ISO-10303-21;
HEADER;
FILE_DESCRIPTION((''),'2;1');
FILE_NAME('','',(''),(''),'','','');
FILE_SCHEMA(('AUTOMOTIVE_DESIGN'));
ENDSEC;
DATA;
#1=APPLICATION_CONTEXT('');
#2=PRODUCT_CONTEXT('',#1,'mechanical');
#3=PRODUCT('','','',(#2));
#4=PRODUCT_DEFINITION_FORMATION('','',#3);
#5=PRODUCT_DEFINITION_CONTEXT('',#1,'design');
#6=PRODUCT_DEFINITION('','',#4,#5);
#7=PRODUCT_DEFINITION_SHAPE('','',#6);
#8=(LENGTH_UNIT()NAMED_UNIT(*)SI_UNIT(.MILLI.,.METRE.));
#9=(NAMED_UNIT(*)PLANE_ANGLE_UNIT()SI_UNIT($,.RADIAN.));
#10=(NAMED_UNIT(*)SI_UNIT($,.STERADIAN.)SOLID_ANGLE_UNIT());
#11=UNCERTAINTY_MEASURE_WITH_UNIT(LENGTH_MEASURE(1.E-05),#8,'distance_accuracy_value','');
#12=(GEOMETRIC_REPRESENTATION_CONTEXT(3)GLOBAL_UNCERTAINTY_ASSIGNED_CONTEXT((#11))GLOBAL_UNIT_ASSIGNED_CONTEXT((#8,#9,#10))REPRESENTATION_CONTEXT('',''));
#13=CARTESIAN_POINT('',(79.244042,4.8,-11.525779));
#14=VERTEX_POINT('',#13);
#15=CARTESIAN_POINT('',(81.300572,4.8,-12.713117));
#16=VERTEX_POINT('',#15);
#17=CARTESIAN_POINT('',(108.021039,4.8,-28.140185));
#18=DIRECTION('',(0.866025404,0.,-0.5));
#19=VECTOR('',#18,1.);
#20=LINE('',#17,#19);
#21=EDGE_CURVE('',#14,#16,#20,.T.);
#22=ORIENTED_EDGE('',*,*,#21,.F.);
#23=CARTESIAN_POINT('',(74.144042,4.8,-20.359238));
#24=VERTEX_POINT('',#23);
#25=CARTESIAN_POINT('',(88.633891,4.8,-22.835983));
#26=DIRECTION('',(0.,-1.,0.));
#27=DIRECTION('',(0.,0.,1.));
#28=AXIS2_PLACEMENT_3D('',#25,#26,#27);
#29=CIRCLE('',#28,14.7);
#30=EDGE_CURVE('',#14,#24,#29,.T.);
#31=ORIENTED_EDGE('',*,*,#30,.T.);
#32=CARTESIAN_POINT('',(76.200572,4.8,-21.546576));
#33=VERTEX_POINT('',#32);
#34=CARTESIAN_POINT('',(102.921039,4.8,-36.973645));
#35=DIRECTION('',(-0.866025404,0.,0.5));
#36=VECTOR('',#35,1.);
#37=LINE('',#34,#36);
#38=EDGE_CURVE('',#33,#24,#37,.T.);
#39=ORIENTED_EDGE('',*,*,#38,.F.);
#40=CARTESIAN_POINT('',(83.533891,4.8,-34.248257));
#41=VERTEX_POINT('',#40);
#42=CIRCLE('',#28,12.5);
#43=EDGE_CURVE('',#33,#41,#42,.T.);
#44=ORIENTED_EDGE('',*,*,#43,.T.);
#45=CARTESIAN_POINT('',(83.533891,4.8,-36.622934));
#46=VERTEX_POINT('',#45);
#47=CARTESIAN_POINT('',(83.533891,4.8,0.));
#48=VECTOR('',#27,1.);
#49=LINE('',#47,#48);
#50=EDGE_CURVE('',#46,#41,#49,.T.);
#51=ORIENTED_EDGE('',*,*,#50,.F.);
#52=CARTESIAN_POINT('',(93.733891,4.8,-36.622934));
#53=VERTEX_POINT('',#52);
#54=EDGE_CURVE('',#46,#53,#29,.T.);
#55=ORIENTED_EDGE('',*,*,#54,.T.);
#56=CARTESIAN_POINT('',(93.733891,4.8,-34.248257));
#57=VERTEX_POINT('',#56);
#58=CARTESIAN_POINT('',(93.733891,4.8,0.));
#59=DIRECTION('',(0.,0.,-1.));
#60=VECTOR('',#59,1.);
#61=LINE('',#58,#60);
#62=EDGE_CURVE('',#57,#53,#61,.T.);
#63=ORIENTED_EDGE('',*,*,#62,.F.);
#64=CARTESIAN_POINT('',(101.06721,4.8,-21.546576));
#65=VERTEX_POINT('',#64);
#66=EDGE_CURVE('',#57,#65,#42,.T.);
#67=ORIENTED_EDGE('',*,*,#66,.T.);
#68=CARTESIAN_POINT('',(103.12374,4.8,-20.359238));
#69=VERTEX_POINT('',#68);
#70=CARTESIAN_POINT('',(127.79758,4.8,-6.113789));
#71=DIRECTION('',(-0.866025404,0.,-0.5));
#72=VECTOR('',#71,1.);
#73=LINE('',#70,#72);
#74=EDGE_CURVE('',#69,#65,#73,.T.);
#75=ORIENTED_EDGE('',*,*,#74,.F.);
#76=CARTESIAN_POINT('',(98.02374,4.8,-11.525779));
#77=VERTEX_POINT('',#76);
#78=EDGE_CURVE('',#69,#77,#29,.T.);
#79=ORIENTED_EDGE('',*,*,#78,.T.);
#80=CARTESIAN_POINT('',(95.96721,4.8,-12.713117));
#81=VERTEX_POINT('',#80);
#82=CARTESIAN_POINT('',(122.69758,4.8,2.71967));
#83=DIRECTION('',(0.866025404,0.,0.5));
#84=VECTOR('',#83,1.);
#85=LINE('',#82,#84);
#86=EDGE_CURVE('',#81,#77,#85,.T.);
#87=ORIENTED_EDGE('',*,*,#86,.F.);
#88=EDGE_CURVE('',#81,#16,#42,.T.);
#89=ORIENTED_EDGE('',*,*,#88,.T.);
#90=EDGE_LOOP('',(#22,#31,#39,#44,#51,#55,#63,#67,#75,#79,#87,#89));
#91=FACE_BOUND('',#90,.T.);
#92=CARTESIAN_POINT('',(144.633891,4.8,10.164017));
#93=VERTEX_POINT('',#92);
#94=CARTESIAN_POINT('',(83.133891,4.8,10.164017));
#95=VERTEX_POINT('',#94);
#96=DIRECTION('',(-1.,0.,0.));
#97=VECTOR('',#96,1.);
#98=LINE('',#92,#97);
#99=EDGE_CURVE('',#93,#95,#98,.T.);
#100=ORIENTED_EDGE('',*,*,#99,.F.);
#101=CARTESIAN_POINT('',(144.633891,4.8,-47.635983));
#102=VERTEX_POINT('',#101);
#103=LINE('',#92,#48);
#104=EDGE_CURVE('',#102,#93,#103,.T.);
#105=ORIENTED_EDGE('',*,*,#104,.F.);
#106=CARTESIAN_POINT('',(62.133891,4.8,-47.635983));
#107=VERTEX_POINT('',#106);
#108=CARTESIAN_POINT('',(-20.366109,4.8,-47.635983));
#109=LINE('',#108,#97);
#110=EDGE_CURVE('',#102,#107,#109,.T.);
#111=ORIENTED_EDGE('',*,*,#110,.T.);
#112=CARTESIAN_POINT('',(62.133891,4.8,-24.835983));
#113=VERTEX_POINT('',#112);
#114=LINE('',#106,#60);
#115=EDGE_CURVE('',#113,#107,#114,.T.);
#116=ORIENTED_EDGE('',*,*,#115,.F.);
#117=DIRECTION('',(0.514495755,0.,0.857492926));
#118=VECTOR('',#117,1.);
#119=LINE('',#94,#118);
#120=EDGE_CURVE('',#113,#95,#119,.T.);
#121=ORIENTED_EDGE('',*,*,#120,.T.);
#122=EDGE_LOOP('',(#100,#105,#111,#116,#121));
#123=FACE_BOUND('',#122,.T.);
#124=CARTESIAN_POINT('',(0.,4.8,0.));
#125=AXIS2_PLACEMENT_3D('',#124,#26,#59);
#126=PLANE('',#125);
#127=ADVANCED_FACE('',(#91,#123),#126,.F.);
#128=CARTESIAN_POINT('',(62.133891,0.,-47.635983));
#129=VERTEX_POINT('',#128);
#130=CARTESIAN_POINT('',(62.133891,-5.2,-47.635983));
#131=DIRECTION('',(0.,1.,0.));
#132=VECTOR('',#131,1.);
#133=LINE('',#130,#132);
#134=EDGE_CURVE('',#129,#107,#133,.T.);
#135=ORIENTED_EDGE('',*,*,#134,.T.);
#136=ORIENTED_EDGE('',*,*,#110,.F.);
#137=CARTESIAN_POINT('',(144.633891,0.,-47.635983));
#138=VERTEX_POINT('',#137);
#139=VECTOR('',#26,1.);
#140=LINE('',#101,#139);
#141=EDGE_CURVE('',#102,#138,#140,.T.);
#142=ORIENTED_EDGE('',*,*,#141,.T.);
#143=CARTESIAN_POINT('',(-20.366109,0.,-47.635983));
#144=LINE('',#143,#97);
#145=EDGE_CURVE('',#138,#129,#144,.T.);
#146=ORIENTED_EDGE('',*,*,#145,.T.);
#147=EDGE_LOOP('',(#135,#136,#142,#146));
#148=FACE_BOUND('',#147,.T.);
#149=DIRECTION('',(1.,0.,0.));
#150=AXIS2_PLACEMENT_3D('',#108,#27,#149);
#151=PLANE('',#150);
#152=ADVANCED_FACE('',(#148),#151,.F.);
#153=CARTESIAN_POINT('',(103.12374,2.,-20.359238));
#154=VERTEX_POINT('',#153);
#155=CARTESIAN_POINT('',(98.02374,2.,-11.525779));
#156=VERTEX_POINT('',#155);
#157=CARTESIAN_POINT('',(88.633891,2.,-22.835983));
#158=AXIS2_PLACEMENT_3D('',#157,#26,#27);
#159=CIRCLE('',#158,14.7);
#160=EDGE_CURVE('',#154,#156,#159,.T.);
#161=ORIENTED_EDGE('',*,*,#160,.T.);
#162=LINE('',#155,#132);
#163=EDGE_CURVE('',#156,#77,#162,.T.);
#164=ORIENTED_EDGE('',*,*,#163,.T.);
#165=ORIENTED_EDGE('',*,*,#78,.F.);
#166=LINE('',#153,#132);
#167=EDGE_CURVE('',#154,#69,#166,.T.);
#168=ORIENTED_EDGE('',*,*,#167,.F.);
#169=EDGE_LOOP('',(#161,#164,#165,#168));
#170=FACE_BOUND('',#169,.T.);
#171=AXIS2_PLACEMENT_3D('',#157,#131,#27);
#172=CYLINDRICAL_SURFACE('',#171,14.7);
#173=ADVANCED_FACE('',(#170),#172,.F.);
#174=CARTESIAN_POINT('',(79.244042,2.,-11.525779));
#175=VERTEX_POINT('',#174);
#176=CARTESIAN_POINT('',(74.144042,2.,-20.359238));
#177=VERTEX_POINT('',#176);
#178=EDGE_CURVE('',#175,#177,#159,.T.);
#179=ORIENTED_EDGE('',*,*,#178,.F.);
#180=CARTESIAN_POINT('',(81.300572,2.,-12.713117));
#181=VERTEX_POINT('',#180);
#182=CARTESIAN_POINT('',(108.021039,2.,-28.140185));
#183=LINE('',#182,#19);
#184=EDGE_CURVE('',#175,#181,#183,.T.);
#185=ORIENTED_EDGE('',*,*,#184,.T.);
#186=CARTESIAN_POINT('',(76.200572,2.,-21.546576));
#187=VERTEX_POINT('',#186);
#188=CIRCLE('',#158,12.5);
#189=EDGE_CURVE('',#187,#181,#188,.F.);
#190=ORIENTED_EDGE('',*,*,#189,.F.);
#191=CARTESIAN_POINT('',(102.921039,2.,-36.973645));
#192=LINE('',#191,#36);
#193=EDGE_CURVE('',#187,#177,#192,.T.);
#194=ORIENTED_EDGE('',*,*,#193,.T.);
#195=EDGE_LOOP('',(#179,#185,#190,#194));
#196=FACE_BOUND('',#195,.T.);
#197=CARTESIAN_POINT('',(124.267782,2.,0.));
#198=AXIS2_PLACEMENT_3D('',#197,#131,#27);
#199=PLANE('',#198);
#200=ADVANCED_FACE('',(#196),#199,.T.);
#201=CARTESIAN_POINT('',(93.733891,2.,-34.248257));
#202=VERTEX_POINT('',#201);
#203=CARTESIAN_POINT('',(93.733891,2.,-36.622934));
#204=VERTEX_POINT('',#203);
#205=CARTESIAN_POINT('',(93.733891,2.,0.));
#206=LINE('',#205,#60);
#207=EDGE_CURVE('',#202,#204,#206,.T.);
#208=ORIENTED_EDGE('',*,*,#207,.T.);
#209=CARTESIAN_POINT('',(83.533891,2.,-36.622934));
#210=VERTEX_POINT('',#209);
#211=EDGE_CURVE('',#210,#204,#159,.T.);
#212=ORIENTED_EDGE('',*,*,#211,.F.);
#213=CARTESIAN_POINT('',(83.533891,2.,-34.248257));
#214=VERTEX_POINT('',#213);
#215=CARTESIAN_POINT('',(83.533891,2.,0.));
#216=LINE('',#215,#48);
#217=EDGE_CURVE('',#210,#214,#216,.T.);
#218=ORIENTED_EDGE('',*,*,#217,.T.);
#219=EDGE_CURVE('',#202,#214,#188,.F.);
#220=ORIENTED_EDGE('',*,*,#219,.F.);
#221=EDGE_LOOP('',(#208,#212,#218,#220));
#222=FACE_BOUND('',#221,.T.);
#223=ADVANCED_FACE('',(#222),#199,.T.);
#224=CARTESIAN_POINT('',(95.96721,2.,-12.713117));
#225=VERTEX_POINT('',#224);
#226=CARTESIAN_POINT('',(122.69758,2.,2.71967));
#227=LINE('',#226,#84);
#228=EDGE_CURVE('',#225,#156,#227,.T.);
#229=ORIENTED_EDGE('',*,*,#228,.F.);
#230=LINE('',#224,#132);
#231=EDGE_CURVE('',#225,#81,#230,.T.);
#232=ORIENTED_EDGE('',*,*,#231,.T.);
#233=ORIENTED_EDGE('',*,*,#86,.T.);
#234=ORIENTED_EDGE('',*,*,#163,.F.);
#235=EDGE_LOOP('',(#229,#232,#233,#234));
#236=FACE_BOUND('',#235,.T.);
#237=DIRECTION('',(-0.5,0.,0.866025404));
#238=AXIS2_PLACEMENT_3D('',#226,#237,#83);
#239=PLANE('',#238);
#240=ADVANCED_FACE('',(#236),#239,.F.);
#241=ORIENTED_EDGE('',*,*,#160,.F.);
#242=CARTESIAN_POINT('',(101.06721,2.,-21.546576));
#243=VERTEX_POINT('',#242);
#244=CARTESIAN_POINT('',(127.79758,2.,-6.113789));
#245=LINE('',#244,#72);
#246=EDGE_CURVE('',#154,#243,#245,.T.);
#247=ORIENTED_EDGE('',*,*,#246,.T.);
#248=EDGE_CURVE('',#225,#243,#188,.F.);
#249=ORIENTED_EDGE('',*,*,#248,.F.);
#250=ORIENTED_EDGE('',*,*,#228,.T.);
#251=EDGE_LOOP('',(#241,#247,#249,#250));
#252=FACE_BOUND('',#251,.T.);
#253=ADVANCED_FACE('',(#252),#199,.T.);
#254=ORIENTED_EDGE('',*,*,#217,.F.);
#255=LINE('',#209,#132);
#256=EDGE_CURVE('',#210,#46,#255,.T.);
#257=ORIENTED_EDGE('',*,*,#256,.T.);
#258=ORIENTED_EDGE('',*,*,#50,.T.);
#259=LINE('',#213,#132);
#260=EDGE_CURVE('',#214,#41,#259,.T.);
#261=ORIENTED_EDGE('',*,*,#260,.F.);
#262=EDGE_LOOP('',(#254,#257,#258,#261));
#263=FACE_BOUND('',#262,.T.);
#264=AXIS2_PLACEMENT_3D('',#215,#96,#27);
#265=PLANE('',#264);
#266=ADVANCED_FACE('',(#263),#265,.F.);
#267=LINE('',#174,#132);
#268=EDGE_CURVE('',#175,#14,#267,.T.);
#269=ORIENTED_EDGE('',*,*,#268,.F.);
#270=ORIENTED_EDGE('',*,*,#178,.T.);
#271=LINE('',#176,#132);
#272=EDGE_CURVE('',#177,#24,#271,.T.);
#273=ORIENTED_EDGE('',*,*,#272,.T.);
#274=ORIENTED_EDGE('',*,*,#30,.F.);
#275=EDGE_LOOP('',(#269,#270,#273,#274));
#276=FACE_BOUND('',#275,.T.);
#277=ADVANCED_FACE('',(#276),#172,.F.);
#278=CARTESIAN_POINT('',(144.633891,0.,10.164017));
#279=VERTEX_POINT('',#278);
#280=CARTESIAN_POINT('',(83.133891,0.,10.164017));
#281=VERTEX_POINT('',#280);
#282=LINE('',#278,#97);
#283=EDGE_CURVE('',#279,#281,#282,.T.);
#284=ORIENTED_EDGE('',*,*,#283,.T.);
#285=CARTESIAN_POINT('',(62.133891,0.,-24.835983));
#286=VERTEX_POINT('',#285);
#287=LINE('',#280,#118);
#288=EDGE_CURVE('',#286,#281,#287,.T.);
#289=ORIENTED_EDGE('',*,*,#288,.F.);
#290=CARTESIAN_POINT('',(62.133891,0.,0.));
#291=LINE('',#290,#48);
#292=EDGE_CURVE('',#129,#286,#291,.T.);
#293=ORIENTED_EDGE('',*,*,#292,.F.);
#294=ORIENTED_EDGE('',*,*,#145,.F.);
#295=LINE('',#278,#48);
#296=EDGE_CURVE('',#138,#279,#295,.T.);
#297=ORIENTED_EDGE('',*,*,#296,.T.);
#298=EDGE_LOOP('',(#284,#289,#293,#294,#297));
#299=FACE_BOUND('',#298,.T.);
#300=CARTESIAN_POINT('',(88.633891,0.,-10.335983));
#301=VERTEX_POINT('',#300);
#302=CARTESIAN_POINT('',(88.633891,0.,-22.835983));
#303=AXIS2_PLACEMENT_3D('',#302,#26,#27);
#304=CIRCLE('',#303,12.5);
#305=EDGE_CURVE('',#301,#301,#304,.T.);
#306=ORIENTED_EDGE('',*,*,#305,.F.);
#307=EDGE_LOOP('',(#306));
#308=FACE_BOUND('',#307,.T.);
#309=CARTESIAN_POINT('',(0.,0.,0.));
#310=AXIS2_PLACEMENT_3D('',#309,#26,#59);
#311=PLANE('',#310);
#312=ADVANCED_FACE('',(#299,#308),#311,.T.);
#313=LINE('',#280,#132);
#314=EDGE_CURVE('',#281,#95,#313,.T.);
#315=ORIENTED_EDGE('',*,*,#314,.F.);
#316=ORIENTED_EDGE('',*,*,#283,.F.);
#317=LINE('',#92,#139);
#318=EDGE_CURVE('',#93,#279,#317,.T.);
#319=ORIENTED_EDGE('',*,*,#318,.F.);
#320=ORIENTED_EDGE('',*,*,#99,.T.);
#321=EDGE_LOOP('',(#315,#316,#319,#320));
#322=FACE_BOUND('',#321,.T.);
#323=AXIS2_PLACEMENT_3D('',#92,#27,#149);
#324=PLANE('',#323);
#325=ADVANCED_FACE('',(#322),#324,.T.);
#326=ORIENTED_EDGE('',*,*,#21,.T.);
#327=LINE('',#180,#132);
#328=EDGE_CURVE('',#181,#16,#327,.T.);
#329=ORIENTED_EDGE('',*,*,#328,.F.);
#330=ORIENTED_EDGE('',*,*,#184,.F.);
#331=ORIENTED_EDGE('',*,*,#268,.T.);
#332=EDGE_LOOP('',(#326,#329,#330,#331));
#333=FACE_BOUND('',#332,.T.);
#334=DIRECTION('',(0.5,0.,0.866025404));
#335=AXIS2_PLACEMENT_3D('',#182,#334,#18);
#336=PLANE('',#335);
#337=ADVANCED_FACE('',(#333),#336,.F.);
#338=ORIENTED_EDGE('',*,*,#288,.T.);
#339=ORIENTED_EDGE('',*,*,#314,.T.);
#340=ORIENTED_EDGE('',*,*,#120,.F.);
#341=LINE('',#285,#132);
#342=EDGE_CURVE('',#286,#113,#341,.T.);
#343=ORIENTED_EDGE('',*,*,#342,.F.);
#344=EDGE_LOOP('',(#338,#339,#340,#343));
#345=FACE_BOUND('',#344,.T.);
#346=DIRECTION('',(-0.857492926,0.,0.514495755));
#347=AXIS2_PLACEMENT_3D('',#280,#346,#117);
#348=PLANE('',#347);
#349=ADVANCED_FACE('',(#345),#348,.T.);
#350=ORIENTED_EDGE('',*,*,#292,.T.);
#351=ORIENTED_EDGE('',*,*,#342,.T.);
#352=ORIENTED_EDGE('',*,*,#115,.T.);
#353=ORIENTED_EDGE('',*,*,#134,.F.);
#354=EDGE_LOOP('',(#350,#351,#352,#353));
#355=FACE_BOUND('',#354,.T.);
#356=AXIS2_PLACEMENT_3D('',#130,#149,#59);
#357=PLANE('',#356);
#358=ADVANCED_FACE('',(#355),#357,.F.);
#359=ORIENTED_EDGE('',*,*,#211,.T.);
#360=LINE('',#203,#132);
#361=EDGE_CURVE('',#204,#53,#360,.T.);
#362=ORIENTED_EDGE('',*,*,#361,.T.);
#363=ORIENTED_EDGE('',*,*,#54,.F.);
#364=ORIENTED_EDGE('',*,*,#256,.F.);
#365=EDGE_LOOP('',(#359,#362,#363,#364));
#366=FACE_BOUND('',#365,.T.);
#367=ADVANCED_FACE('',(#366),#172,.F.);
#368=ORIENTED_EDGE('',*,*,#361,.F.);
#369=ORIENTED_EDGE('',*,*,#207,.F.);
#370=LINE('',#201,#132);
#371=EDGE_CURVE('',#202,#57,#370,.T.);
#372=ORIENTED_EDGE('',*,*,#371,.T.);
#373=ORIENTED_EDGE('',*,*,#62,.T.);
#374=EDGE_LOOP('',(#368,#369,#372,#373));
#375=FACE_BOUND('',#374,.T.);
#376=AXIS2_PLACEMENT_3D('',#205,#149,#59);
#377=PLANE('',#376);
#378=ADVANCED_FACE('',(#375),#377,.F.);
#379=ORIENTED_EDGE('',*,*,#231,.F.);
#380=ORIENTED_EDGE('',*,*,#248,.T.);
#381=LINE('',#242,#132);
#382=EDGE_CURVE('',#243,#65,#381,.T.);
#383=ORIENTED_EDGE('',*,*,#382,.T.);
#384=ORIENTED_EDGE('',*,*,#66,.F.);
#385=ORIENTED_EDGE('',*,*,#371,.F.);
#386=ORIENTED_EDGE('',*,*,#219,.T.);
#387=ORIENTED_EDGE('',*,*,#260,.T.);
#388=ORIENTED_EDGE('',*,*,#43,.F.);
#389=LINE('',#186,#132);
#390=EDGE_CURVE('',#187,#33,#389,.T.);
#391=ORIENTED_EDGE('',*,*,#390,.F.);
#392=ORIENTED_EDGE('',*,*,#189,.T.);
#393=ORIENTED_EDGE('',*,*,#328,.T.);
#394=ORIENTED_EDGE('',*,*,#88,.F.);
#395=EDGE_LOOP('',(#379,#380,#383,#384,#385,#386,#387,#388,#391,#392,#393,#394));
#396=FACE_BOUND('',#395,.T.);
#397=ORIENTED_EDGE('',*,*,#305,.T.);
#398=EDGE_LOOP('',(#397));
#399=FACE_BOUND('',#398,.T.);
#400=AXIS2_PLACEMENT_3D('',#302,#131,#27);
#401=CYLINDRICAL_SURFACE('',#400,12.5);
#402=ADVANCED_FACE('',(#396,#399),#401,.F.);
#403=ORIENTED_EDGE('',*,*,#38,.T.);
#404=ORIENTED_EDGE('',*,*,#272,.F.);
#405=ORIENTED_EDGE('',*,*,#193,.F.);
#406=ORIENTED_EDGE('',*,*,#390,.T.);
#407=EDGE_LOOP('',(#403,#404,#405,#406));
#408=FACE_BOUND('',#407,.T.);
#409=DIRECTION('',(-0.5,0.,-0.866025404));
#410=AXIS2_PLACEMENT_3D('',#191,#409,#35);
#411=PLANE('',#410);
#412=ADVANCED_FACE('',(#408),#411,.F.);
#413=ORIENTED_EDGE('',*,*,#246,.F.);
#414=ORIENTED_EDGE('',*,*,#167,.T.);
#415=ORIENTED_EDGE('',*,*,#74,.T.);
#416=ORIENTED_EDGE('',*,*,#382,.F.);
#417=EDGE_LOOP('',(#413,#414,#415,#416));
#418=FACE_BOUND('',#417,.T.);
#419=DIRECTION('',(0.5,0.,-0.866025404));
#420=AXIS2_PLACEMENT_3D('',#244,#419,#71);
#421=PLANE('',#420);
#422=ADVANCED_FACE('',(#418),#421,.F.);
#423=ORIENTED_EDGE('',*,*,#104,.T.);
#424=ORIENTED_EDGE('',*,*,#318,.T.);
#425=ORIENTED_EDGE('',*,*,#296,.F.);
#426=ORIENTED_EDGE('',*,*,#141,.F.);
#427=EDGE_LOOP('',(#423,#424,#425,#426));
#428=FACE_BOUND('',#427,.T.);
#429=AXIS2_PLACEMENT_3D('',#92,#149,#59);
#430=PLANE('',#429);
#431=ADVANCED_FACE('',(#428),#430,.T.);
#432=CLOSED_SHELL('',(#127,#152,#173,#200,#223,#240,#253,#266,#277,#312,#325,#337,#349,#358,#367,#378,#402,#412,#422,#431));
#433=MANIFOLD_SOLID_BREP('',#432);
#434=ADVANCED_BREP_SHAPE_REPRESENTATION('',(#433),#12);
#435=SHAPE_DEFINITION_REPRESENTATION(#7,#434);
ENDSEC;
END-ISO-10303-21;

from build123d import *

# Parameters (mm, degrees)
SKETCH1_W           = 82.5
SKETCH1_H           = 57.8
BOSS_EXTRUDE1_DEPTH = 4.8
SKETCH2_R           = 12.5
CUT_EXTRUDE1_DEPTH  = 4.8
CUT_EXTRUDE2_DEPTH  = 2.8
SKETCH4_W           = 82.5
SKETCH4_H           = 57.8
CUT_EXTRUDE3_DEPTH  = 10


with BuildPart() as part:
    # Sketch1 → Boss-Extrude1 (new body)
    with BuildSketch(Plane(origin=(0, 0, 0), x_dir=(1, 0, 0), z_dir=(0, 1, 0))):
        with Locations((20.883891213, 18.735983264)):
            Rectangle(SKETCH1_W, SKETCH1_H)
    boss_extrude1 = extrude(amount=BOSS_EXTRUDE1_DEPTH)

    # Sketch2 → Cut-Extrude1 (cut)
    with BuildSketch(Plane(origin=(0, 4.8, 0), x_dir=(1, 0, 0), z_dir=(0, 1, 0))):
        with Locations((35.633891213, 22.835983264)):
            Circle(SKETCH2_R)
        Polygon((41.133891213, -10.164016736), (62.133891213, 24.835983264), (62.133891213, -10.164016736), align=None)
    cut_extrude1 = extrude(amount=-CUT_EXTRUDE1_DEPTH, mode=Mode.SUBTRACT)

    # Sketch3 → Cut-Extrude2 (cut)
    with BuildSketch(Plane(origin=(0, 4.8, 0), x_dir=(1, 0, 0), z_dir=(0, 1, 0))):
        with BuildLine():
            ThreePointArc((30.533891213, 34.248257358), (33.026538742, 35.061027766), (35.633891213, 35.335983264))
            Line((35.633891213, 35.335983264), (35.633891213, 37.535983264))
            ThreePointArc((35.633891213, 37.535983264), (33.04334785, 37.30592055), (30.533891213, 36.622933615))
            Line((30.533891213, 36.622933615), (30.533891213, 34.248257358))
        make_face()
        with BuildLine():
            Line((35.633891213, 37.535983264), (35.633891213, 35.335983264))
            ThreePointArc((35.633891213, 35.335983264), (38.241243685, 35.061027766), (40.733891213, 34.248257358))
            Line((40.733891213, 34.248257358), (40.733891213, 36.622933615))
            ThreePointArc((40.733891213, 36.622933615), (38.224434576, 37.30592055), (35.633891213, 37.535983264))
        make_face()
        with BuildLine():
            ThreePointArc((48.067210494, 21.546575776), (47.524766551, 18.981494489), (46.459208761, 16.585983264))
            Line((46.459208761, 16.585983264), (48.364464649, 15.485983264))
            ThreePointArc((48.364464649, 15.485983264), (49.460496176, 17.844490982), (50.123740459, 20.359237647))
            Line((50.123740459, 20.359237647), (48.067210494, 21.546575776))
        make_face()
        with BuildLine():
            Line((48.364464649, 15.485983264), (46.459208761, 16.585983264))
            ThreePointArc((46.459208761, 16.585983264), (44.917414079, 14.465427535), (42.967210494, 12.713116657))
            Line((42.967210494, 12.713116657), (45.023740459, 11.525778528))
            ThreePointArc((45.023740459, 11.525778528), (46.869952814, 13.357538258), (48.364464649, 15.485983264))
        make_face()
        with BuildLine():
            Line((22.903317778, 15.485983264), (24.808573666, 16.585983264))
            ThreePointArc((24.808573666, 16.585983264), (23.743015876, 18.981494489), (23.200571933, 21.546575776))
            Line((23.200571933, 21.546575776), (21.144041968, 20.359237647))
            ThreePointArc((21.144041968, 20.359237647), (21.80728625, 17.844490982), (22.903317778, 15.485983264))
        make_face()
        with BuildLine():
            ThreePointArc((28.300571933, 12.713116657), (26.350368348, 14.465427535), (24.808573666, 16.585983264))
            Line((24.808573666, 16.585983264), (22.903317778, 15.485983264))
            ThreePointArc((22.903317778, 15.485983264), (24.397829613, 13.357538258), (26.244041968, 11.525778528))
            Line((26.244041968, 11.525778528), (28.300571933, 12.713116657))
        make_face()
    cut_extrude2 = extrude(amount=-CUT_EXTRUDE2_DEPTH, mode=Mode.SUBTRACT)

    # Mirror1: Boss-Extrude1, Cut-Extrude1, Cut-Extrude2 across plane
    add(boss_extrude1.mirror(Plane(origin=(62.133891213, 4.8, 10.164016736), x_dir=(0, 0, 1), z_dir=(-1, 0, 0))))
    add(cut_extrude1.mirror(Plane(origin=(62.133891213, 4.8, 10.164016736), x_dir=(0, 0, 1), z_dir=(-1, 0, 0))), mode=Mode.SUBTRACT)
    add(cut_extrude2.mirror(Plane(origin=(62.133891213, 4.8, 10.164016736), x_dir=(0, 0, 1), z_dir=(-1, 0, 0))), mode=Mode.SUBTRACT)

    # Sketch4 → Cut-Extrude3 (cut)
    with BuildSketch(Plane(origin=(0, 4.8, 0), x_dir=(1, 0, 0), z_dir=(0, 1, 0))):
        with Locations((20.883891213, 18.735983264)):
            Rectangle(SKETCH4_W, SKETCH4_H)
    extrude(amount=-CUT_EXTRUDE3_DEPTH, mode=Mode.SUBTRACT)


solid = part.part
